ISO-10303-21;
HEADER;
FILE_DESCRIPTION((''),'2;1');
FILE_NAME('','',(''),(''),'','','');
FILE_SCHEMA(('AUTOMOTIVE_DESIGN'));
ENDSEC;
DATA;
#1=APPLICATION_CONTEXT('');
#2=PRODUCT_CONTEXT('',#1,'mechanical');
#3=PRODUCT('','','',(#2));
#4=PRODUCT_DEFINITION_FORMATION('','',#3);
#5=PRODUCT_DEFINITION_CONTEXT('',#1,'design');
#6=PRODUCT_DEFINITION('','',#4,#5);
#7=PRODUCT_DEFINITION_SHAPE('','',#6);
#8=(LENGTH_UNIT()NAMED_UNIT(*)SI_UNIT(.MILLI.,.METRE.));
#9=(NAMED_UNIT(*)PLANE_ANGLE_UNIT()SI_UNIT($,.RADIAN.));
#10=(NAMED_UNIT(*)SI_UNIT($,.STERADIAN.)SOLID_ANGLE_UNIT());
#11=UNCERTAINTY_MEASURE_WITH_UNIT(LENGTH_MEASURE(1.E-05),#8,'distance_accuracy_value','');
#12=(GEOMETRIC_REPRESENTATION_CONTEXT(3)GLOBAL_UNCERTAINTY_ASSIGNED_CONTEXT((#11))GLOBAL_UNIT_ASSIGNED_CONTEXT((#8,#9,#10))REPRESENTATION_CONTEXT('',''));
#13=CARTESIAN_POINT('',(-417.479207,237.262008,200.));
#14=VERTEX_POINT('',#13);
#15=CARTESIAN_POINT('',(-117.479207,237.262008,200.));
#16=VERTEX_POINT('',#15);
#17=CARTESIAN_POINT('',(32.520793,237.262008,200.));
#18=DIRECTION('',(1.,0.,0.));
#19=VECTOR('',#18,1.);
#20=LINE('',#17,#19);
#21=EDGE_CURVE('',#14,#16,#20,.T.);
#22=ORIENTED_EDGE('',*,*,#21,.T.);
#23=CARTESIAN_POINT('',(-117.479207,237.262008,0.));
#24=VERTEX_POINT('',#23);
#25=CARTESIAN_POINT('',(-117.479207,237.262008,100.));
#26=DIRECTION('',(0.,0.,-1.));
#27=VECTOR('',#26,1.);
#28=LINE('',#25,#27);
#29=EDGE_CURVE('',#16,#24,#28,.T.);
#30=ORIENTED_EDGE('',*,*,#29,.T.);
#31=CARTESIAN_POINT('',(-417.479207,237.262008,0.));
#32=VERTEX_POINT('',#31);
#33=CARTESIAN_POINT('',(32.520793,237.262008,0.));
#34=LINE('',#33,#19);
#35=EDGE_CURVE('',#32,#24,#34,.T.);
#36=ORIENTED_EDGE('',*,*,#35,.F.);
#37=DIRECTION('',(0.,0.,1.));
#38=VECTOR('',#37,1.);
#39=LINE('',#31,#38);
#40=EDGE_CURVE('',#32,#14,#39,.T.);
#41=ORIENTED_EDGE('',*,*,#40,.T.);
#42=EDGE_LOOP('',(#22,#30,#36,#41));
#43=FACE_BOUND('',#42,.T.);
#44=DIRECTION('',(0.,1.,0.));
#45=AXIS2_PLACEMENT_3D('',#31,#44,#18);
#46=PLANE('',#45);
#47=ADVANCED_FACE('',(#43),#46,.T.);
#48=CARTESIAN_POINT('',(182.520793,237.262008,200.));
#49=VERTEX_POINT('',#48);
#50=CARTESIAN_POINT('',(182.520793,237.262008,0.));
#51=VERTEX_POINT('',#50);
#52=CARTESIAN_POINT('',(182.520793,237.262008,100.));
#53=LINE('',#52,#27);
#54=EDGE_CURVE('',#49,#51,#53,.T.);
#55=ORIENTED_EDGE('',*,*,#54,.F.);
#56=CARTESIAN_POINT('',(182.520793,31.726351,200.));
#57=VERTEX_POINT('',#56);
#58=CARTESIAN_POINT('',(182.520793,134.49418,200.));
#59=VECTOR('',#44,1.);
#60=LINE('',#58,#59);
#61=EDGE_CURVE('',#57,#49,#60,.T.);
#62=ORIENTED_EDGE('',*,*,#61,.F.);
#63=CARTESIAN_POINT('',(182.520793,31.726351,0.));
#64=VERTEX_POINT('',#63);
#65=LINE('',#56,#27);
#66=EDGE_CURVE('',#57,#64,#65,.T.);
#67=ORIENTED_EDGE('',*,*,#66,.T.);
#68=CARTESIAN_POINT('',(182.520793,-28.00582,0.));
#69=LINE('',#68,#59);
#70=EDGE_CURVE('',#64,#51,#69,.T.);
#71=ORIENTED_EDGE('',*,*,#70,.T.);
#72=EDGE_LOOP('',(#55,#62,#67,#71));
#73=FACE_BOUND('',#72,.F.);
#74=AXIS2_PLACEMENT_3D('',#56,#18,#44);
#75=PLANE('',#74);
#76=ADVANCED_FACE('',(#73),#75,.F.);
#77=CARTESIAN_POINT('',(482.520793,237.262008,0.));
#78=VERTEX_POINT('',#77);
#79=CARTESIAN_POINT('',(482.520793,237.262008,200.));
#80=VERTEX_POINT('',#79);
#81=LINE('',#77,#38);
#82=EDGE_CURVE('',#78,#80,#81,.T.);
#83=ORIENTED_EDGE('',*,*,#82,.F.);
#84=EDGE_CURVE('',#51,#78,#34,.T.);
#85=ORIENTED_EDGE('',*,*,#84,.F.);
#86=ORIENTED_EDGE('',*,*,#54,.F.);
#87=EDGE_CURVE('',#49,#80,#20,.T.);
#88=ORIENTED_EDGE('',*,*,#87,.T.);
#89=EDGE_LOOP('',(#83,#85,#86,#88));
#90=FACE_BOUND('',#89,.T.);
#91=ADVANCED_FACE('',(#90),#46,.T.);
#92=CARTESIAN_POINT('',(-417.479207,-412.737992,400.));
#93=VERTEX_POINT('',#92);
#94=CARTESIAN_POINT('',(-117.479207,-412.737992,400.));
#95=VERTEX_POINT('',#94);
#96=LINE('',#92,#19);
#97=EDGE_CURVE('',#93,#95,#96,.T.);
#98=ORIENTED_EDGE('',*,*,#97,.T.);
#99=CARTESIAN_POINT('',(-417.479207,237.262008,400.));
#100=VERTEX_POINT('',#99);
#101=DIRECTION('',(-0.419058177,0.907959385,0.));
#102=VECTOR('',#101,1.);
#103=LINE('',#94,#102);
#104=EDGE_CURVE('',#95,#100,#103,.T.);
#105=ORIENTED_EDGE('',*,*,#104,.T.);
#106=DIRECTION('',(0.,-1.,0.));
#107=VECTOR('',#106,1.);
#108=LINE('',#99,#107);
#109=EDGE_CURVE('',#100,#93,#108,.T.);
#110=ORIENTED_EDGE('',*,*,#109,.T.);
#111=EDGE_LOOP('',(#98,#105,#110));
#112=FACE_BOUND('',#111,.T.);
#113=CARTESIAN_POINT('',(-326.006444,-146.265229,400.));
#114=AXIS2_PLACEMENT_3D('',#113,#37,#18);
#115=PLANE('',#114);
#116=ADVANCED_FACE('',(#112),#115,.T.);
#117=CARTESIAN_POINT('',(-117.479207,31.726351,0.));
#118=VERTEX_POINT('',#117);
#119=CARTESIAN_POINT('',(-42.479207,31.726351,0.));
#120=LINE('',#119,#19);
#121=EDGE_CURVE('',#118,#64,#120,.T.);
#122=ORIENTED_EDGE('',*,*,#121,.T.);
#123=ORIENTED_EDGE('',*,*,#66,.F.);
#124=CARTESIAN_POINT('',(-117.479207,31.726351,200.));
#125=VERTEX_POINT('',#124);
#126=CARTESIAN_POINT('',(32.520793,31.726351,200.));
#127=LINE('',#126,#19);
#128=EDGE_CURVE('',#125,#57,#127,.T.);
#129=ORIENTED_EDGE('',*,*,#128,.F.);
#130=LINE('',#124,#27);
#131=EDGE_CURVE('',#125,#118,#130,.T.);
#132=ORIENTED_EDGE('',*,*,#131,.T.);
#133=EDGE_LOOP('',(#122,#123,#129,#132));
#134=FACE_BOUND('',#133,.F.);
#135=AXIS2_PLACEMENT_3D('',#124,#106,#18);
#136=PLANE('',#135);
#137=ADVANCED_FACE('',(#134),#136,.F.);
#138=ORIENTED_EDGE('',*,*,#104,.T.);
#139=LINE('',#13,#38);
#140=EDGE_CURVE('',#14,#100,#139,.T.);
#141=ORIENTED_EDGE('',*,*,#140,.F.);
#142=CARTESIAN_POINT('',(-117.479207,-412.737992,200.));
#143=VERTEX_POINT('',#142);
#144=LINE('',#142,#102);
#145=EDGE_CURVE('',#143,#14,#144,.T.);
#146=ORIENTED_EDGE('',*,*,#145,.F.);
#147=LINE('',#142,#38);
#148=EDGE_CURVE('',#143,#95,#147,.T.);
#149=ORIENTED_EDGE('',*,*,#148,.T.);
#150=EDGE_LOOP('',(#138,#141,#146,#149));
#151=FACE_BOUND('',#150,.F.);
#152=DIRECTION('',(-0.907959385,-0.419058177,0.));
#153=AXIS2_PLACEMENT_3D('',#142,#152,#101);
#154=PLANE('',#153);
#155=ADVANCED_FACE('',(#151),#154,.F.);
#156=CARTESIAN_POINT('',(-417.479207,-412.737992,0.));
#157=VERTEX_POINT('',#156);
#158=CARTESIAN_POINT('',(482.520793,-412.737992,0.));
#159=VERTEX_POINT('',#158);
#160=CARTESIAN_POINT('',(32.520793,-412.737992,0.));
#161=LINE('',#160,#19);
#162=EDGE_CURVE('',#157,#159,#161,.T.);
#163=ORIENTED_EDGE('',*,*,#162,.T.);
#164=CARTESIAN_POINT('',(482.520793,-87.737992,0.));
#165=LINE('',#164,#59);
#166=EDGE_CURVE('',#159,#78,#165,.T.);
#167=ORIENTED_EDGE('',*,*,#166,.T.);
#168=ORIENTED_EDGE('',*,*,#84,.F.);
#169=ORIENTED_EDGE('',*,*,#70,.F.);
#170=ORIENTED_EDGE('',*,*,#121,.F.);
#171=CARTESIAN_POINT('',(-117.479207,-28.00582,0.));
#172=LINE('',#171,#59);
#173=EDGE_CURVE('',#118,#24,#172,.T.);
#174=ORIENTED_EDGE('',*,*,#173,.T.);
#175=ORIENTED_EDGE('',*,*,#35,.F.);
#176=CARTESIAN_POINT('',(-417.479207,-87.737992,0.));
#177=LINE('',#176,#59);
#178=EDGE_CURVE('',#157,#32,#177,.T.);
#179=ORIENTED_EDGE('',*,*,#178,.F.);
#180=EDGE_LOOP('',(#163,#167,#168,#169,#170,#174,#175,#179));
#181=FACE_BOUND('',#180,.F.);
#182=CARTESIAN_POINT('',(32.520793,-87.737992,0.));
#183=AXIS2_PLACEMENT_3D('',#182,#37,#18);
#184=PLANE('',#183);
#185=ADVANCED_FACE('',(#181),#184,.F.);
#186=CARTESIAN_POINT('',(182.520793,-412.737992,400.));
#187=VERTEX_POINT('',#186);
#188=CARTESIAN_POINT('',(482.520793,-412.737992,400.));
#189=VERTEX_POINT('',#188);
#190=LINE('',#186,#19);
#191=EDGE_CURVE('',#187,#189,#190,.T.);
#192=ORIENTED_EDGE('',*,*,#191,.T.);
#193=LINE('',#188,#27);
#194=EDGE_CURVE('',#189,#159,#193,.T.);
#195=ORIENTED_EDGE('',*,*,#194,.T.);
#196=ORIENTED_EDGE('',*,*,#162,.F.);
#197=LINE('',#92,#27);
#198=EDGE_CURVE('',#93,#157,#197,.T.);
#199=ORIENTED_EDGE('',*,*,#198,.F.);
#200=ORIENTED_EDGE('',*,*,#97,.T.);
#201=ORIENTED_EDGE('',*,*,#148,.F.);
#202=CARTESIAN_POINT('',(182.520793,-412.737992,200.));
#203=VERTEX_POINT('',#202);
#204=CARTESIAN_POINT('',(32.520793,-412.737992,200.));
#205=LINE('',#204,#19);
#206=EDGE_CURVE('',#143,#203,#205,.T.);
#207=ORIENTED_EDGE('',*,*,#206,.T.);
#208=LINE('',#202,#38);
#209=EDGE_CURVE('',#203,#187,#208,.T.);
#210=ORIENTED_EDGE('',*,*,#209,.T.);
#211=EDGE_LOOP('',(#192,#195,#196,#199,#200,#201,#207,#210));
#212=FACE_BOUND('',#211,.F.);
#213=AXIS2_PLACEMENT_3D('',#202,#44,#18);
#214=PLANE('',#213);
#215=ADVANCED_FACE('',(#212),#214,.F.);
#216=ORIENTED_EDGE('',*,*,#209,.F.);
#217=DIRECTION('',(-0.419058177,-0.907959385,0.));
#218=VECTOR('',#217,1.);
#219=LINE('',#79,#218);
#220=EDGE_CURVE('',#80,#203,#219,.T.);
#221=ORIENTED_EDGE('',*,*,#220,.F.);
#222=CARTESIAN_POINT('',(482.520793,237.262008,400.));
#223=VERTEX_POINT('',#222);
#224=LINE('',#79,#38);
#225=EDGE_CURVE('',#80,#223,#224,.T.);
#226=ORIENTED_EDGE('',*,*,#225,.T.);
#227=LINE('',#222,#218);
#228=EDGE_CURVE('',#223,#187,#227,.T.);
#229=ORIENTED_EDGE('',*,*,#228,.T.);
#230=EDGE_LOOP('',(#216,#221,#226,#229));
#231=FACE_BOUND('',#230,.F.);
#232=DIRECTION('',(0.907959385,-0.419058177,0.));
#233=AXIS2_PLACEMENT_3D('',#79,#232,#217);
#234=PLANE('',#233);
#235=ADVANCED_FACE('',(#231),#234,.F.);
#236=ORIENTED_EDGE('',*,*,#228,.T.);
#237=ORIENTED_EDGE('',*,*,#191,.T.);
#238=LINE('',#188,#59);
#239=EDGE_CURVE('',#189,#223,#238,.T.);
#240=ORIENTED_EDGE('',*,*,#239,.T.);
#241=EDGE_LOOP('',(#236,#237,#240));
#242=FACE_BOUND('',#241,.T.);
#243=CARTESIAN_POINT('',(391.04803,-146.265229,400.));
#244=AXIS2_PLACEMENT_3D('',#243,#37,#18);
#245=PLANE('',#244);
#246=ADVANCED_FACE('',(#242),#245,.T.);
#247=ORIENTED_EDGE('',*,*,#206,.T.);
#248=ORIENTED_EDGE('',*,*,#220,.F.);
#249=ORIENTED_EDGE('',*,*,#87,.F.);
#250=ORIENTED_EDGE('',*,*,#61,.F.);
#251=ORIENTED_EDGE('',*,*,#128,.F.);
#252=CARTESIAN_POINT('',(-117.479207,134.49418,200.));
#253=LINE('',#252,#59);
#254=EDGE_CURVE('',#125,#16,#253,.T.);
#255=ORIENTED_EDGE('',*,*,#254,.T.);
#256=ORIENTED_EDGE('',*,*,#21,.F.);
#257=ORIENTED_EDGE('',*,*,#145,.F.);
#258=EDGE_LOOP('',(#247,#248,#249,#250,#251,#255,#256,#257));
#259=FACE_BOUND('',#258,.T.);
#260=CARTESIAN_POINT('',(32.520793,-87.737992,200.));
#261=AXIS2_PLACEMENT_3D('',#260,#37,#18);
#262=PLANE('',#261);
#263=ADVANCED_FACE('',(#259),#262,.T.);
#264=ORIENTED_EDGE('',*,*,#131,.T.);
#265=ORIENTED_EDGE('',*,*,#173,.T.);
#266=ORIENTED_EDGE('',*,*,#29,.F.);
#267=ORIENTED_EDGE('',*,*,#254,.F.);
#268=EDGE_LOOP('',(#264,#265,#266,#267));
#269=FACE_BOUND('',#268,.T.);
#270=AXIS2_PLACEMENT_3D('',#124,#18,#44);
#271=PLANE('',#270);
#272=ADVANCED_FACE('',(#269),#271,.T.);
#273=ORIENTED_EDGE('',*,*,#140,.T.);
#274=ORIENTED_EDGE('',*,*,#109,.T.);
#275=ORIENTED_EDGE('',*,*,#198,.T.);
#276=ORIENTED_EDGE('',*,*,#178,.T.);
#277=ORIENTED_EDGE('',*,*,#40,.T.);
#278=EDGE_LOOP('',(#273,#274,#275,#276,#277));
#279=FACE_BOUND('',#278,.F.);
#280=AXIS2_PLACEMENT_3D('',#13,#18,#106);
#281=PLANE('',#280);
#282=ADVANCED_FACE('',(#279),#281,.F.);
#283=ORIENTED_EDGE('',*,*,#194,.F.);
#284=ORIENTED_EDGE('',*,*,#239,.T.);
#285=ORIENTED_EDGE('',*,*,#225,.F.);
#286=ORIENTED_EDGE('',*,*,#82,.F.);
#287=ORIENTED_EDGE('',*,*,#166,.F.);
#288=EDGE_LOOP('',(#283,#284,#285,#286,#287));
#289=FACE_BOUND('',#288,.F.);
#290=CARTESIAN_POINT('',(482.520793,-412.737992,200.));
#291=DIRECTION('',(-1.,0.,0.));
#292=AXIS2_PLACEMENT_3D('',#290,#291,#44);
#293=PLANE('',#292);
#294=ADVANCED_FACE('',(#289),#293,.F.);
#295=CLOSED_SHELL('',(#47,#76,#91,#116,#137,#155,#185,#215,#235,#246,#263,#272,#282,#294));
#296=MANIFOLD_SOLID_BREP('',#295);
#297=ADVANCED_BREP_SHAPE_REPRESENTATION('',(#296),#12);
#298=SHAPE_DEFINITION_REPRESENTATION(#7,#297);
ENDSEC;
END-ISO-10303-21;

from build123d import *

# Parameters (mm, degrees)
F0_W     = 900
F0_H     = 650
F1_DEPTH = 200
F3_DEPTH = 200
F5_DEPTH = 200
F6_W     = 300
F6_H     = 205.535657
F7_DEPTH = 281.52459


with BuildPart() as f1:
    # F0 (on Top) → F1 (new body)
    with BuildSketch(Plane.XY):
        with Locations((32.520793, -87.737992)):
            Rectangle(F0_W, F0_H)
    extrude(amount=F1_DEPTH)

    # F2 (on face) → F3 (join)
    with BuildSketch(Plane.XY.offset(200)):
        Polygon((-117.479207, -412.737992), (-417.479207, 237.262008), (-417.479207, -412.737992), align=None)
    extrude(amount=F3_DEPTH)

    # F4 (on face) → F5 (join)
    with BuildSketch(Plane.XY.offset(200)):
        Polygon((482.520793, -412.737992), (482.520793, 237.262008), (182.520793, -412.737992), align=None)
    extrude(amount=F5_DEPTH)

    # F6 (on face) → F7 (cut)
    with BuildSketch(Plane.XY.offset(200)):
        with Locations((32.520793, 134.49418)):
            Rectangle(F6_W, F6_H)
    extrude(amount=-F7_DEPTH, mode=Mode.SUBTRACT)


solid = f1.part
